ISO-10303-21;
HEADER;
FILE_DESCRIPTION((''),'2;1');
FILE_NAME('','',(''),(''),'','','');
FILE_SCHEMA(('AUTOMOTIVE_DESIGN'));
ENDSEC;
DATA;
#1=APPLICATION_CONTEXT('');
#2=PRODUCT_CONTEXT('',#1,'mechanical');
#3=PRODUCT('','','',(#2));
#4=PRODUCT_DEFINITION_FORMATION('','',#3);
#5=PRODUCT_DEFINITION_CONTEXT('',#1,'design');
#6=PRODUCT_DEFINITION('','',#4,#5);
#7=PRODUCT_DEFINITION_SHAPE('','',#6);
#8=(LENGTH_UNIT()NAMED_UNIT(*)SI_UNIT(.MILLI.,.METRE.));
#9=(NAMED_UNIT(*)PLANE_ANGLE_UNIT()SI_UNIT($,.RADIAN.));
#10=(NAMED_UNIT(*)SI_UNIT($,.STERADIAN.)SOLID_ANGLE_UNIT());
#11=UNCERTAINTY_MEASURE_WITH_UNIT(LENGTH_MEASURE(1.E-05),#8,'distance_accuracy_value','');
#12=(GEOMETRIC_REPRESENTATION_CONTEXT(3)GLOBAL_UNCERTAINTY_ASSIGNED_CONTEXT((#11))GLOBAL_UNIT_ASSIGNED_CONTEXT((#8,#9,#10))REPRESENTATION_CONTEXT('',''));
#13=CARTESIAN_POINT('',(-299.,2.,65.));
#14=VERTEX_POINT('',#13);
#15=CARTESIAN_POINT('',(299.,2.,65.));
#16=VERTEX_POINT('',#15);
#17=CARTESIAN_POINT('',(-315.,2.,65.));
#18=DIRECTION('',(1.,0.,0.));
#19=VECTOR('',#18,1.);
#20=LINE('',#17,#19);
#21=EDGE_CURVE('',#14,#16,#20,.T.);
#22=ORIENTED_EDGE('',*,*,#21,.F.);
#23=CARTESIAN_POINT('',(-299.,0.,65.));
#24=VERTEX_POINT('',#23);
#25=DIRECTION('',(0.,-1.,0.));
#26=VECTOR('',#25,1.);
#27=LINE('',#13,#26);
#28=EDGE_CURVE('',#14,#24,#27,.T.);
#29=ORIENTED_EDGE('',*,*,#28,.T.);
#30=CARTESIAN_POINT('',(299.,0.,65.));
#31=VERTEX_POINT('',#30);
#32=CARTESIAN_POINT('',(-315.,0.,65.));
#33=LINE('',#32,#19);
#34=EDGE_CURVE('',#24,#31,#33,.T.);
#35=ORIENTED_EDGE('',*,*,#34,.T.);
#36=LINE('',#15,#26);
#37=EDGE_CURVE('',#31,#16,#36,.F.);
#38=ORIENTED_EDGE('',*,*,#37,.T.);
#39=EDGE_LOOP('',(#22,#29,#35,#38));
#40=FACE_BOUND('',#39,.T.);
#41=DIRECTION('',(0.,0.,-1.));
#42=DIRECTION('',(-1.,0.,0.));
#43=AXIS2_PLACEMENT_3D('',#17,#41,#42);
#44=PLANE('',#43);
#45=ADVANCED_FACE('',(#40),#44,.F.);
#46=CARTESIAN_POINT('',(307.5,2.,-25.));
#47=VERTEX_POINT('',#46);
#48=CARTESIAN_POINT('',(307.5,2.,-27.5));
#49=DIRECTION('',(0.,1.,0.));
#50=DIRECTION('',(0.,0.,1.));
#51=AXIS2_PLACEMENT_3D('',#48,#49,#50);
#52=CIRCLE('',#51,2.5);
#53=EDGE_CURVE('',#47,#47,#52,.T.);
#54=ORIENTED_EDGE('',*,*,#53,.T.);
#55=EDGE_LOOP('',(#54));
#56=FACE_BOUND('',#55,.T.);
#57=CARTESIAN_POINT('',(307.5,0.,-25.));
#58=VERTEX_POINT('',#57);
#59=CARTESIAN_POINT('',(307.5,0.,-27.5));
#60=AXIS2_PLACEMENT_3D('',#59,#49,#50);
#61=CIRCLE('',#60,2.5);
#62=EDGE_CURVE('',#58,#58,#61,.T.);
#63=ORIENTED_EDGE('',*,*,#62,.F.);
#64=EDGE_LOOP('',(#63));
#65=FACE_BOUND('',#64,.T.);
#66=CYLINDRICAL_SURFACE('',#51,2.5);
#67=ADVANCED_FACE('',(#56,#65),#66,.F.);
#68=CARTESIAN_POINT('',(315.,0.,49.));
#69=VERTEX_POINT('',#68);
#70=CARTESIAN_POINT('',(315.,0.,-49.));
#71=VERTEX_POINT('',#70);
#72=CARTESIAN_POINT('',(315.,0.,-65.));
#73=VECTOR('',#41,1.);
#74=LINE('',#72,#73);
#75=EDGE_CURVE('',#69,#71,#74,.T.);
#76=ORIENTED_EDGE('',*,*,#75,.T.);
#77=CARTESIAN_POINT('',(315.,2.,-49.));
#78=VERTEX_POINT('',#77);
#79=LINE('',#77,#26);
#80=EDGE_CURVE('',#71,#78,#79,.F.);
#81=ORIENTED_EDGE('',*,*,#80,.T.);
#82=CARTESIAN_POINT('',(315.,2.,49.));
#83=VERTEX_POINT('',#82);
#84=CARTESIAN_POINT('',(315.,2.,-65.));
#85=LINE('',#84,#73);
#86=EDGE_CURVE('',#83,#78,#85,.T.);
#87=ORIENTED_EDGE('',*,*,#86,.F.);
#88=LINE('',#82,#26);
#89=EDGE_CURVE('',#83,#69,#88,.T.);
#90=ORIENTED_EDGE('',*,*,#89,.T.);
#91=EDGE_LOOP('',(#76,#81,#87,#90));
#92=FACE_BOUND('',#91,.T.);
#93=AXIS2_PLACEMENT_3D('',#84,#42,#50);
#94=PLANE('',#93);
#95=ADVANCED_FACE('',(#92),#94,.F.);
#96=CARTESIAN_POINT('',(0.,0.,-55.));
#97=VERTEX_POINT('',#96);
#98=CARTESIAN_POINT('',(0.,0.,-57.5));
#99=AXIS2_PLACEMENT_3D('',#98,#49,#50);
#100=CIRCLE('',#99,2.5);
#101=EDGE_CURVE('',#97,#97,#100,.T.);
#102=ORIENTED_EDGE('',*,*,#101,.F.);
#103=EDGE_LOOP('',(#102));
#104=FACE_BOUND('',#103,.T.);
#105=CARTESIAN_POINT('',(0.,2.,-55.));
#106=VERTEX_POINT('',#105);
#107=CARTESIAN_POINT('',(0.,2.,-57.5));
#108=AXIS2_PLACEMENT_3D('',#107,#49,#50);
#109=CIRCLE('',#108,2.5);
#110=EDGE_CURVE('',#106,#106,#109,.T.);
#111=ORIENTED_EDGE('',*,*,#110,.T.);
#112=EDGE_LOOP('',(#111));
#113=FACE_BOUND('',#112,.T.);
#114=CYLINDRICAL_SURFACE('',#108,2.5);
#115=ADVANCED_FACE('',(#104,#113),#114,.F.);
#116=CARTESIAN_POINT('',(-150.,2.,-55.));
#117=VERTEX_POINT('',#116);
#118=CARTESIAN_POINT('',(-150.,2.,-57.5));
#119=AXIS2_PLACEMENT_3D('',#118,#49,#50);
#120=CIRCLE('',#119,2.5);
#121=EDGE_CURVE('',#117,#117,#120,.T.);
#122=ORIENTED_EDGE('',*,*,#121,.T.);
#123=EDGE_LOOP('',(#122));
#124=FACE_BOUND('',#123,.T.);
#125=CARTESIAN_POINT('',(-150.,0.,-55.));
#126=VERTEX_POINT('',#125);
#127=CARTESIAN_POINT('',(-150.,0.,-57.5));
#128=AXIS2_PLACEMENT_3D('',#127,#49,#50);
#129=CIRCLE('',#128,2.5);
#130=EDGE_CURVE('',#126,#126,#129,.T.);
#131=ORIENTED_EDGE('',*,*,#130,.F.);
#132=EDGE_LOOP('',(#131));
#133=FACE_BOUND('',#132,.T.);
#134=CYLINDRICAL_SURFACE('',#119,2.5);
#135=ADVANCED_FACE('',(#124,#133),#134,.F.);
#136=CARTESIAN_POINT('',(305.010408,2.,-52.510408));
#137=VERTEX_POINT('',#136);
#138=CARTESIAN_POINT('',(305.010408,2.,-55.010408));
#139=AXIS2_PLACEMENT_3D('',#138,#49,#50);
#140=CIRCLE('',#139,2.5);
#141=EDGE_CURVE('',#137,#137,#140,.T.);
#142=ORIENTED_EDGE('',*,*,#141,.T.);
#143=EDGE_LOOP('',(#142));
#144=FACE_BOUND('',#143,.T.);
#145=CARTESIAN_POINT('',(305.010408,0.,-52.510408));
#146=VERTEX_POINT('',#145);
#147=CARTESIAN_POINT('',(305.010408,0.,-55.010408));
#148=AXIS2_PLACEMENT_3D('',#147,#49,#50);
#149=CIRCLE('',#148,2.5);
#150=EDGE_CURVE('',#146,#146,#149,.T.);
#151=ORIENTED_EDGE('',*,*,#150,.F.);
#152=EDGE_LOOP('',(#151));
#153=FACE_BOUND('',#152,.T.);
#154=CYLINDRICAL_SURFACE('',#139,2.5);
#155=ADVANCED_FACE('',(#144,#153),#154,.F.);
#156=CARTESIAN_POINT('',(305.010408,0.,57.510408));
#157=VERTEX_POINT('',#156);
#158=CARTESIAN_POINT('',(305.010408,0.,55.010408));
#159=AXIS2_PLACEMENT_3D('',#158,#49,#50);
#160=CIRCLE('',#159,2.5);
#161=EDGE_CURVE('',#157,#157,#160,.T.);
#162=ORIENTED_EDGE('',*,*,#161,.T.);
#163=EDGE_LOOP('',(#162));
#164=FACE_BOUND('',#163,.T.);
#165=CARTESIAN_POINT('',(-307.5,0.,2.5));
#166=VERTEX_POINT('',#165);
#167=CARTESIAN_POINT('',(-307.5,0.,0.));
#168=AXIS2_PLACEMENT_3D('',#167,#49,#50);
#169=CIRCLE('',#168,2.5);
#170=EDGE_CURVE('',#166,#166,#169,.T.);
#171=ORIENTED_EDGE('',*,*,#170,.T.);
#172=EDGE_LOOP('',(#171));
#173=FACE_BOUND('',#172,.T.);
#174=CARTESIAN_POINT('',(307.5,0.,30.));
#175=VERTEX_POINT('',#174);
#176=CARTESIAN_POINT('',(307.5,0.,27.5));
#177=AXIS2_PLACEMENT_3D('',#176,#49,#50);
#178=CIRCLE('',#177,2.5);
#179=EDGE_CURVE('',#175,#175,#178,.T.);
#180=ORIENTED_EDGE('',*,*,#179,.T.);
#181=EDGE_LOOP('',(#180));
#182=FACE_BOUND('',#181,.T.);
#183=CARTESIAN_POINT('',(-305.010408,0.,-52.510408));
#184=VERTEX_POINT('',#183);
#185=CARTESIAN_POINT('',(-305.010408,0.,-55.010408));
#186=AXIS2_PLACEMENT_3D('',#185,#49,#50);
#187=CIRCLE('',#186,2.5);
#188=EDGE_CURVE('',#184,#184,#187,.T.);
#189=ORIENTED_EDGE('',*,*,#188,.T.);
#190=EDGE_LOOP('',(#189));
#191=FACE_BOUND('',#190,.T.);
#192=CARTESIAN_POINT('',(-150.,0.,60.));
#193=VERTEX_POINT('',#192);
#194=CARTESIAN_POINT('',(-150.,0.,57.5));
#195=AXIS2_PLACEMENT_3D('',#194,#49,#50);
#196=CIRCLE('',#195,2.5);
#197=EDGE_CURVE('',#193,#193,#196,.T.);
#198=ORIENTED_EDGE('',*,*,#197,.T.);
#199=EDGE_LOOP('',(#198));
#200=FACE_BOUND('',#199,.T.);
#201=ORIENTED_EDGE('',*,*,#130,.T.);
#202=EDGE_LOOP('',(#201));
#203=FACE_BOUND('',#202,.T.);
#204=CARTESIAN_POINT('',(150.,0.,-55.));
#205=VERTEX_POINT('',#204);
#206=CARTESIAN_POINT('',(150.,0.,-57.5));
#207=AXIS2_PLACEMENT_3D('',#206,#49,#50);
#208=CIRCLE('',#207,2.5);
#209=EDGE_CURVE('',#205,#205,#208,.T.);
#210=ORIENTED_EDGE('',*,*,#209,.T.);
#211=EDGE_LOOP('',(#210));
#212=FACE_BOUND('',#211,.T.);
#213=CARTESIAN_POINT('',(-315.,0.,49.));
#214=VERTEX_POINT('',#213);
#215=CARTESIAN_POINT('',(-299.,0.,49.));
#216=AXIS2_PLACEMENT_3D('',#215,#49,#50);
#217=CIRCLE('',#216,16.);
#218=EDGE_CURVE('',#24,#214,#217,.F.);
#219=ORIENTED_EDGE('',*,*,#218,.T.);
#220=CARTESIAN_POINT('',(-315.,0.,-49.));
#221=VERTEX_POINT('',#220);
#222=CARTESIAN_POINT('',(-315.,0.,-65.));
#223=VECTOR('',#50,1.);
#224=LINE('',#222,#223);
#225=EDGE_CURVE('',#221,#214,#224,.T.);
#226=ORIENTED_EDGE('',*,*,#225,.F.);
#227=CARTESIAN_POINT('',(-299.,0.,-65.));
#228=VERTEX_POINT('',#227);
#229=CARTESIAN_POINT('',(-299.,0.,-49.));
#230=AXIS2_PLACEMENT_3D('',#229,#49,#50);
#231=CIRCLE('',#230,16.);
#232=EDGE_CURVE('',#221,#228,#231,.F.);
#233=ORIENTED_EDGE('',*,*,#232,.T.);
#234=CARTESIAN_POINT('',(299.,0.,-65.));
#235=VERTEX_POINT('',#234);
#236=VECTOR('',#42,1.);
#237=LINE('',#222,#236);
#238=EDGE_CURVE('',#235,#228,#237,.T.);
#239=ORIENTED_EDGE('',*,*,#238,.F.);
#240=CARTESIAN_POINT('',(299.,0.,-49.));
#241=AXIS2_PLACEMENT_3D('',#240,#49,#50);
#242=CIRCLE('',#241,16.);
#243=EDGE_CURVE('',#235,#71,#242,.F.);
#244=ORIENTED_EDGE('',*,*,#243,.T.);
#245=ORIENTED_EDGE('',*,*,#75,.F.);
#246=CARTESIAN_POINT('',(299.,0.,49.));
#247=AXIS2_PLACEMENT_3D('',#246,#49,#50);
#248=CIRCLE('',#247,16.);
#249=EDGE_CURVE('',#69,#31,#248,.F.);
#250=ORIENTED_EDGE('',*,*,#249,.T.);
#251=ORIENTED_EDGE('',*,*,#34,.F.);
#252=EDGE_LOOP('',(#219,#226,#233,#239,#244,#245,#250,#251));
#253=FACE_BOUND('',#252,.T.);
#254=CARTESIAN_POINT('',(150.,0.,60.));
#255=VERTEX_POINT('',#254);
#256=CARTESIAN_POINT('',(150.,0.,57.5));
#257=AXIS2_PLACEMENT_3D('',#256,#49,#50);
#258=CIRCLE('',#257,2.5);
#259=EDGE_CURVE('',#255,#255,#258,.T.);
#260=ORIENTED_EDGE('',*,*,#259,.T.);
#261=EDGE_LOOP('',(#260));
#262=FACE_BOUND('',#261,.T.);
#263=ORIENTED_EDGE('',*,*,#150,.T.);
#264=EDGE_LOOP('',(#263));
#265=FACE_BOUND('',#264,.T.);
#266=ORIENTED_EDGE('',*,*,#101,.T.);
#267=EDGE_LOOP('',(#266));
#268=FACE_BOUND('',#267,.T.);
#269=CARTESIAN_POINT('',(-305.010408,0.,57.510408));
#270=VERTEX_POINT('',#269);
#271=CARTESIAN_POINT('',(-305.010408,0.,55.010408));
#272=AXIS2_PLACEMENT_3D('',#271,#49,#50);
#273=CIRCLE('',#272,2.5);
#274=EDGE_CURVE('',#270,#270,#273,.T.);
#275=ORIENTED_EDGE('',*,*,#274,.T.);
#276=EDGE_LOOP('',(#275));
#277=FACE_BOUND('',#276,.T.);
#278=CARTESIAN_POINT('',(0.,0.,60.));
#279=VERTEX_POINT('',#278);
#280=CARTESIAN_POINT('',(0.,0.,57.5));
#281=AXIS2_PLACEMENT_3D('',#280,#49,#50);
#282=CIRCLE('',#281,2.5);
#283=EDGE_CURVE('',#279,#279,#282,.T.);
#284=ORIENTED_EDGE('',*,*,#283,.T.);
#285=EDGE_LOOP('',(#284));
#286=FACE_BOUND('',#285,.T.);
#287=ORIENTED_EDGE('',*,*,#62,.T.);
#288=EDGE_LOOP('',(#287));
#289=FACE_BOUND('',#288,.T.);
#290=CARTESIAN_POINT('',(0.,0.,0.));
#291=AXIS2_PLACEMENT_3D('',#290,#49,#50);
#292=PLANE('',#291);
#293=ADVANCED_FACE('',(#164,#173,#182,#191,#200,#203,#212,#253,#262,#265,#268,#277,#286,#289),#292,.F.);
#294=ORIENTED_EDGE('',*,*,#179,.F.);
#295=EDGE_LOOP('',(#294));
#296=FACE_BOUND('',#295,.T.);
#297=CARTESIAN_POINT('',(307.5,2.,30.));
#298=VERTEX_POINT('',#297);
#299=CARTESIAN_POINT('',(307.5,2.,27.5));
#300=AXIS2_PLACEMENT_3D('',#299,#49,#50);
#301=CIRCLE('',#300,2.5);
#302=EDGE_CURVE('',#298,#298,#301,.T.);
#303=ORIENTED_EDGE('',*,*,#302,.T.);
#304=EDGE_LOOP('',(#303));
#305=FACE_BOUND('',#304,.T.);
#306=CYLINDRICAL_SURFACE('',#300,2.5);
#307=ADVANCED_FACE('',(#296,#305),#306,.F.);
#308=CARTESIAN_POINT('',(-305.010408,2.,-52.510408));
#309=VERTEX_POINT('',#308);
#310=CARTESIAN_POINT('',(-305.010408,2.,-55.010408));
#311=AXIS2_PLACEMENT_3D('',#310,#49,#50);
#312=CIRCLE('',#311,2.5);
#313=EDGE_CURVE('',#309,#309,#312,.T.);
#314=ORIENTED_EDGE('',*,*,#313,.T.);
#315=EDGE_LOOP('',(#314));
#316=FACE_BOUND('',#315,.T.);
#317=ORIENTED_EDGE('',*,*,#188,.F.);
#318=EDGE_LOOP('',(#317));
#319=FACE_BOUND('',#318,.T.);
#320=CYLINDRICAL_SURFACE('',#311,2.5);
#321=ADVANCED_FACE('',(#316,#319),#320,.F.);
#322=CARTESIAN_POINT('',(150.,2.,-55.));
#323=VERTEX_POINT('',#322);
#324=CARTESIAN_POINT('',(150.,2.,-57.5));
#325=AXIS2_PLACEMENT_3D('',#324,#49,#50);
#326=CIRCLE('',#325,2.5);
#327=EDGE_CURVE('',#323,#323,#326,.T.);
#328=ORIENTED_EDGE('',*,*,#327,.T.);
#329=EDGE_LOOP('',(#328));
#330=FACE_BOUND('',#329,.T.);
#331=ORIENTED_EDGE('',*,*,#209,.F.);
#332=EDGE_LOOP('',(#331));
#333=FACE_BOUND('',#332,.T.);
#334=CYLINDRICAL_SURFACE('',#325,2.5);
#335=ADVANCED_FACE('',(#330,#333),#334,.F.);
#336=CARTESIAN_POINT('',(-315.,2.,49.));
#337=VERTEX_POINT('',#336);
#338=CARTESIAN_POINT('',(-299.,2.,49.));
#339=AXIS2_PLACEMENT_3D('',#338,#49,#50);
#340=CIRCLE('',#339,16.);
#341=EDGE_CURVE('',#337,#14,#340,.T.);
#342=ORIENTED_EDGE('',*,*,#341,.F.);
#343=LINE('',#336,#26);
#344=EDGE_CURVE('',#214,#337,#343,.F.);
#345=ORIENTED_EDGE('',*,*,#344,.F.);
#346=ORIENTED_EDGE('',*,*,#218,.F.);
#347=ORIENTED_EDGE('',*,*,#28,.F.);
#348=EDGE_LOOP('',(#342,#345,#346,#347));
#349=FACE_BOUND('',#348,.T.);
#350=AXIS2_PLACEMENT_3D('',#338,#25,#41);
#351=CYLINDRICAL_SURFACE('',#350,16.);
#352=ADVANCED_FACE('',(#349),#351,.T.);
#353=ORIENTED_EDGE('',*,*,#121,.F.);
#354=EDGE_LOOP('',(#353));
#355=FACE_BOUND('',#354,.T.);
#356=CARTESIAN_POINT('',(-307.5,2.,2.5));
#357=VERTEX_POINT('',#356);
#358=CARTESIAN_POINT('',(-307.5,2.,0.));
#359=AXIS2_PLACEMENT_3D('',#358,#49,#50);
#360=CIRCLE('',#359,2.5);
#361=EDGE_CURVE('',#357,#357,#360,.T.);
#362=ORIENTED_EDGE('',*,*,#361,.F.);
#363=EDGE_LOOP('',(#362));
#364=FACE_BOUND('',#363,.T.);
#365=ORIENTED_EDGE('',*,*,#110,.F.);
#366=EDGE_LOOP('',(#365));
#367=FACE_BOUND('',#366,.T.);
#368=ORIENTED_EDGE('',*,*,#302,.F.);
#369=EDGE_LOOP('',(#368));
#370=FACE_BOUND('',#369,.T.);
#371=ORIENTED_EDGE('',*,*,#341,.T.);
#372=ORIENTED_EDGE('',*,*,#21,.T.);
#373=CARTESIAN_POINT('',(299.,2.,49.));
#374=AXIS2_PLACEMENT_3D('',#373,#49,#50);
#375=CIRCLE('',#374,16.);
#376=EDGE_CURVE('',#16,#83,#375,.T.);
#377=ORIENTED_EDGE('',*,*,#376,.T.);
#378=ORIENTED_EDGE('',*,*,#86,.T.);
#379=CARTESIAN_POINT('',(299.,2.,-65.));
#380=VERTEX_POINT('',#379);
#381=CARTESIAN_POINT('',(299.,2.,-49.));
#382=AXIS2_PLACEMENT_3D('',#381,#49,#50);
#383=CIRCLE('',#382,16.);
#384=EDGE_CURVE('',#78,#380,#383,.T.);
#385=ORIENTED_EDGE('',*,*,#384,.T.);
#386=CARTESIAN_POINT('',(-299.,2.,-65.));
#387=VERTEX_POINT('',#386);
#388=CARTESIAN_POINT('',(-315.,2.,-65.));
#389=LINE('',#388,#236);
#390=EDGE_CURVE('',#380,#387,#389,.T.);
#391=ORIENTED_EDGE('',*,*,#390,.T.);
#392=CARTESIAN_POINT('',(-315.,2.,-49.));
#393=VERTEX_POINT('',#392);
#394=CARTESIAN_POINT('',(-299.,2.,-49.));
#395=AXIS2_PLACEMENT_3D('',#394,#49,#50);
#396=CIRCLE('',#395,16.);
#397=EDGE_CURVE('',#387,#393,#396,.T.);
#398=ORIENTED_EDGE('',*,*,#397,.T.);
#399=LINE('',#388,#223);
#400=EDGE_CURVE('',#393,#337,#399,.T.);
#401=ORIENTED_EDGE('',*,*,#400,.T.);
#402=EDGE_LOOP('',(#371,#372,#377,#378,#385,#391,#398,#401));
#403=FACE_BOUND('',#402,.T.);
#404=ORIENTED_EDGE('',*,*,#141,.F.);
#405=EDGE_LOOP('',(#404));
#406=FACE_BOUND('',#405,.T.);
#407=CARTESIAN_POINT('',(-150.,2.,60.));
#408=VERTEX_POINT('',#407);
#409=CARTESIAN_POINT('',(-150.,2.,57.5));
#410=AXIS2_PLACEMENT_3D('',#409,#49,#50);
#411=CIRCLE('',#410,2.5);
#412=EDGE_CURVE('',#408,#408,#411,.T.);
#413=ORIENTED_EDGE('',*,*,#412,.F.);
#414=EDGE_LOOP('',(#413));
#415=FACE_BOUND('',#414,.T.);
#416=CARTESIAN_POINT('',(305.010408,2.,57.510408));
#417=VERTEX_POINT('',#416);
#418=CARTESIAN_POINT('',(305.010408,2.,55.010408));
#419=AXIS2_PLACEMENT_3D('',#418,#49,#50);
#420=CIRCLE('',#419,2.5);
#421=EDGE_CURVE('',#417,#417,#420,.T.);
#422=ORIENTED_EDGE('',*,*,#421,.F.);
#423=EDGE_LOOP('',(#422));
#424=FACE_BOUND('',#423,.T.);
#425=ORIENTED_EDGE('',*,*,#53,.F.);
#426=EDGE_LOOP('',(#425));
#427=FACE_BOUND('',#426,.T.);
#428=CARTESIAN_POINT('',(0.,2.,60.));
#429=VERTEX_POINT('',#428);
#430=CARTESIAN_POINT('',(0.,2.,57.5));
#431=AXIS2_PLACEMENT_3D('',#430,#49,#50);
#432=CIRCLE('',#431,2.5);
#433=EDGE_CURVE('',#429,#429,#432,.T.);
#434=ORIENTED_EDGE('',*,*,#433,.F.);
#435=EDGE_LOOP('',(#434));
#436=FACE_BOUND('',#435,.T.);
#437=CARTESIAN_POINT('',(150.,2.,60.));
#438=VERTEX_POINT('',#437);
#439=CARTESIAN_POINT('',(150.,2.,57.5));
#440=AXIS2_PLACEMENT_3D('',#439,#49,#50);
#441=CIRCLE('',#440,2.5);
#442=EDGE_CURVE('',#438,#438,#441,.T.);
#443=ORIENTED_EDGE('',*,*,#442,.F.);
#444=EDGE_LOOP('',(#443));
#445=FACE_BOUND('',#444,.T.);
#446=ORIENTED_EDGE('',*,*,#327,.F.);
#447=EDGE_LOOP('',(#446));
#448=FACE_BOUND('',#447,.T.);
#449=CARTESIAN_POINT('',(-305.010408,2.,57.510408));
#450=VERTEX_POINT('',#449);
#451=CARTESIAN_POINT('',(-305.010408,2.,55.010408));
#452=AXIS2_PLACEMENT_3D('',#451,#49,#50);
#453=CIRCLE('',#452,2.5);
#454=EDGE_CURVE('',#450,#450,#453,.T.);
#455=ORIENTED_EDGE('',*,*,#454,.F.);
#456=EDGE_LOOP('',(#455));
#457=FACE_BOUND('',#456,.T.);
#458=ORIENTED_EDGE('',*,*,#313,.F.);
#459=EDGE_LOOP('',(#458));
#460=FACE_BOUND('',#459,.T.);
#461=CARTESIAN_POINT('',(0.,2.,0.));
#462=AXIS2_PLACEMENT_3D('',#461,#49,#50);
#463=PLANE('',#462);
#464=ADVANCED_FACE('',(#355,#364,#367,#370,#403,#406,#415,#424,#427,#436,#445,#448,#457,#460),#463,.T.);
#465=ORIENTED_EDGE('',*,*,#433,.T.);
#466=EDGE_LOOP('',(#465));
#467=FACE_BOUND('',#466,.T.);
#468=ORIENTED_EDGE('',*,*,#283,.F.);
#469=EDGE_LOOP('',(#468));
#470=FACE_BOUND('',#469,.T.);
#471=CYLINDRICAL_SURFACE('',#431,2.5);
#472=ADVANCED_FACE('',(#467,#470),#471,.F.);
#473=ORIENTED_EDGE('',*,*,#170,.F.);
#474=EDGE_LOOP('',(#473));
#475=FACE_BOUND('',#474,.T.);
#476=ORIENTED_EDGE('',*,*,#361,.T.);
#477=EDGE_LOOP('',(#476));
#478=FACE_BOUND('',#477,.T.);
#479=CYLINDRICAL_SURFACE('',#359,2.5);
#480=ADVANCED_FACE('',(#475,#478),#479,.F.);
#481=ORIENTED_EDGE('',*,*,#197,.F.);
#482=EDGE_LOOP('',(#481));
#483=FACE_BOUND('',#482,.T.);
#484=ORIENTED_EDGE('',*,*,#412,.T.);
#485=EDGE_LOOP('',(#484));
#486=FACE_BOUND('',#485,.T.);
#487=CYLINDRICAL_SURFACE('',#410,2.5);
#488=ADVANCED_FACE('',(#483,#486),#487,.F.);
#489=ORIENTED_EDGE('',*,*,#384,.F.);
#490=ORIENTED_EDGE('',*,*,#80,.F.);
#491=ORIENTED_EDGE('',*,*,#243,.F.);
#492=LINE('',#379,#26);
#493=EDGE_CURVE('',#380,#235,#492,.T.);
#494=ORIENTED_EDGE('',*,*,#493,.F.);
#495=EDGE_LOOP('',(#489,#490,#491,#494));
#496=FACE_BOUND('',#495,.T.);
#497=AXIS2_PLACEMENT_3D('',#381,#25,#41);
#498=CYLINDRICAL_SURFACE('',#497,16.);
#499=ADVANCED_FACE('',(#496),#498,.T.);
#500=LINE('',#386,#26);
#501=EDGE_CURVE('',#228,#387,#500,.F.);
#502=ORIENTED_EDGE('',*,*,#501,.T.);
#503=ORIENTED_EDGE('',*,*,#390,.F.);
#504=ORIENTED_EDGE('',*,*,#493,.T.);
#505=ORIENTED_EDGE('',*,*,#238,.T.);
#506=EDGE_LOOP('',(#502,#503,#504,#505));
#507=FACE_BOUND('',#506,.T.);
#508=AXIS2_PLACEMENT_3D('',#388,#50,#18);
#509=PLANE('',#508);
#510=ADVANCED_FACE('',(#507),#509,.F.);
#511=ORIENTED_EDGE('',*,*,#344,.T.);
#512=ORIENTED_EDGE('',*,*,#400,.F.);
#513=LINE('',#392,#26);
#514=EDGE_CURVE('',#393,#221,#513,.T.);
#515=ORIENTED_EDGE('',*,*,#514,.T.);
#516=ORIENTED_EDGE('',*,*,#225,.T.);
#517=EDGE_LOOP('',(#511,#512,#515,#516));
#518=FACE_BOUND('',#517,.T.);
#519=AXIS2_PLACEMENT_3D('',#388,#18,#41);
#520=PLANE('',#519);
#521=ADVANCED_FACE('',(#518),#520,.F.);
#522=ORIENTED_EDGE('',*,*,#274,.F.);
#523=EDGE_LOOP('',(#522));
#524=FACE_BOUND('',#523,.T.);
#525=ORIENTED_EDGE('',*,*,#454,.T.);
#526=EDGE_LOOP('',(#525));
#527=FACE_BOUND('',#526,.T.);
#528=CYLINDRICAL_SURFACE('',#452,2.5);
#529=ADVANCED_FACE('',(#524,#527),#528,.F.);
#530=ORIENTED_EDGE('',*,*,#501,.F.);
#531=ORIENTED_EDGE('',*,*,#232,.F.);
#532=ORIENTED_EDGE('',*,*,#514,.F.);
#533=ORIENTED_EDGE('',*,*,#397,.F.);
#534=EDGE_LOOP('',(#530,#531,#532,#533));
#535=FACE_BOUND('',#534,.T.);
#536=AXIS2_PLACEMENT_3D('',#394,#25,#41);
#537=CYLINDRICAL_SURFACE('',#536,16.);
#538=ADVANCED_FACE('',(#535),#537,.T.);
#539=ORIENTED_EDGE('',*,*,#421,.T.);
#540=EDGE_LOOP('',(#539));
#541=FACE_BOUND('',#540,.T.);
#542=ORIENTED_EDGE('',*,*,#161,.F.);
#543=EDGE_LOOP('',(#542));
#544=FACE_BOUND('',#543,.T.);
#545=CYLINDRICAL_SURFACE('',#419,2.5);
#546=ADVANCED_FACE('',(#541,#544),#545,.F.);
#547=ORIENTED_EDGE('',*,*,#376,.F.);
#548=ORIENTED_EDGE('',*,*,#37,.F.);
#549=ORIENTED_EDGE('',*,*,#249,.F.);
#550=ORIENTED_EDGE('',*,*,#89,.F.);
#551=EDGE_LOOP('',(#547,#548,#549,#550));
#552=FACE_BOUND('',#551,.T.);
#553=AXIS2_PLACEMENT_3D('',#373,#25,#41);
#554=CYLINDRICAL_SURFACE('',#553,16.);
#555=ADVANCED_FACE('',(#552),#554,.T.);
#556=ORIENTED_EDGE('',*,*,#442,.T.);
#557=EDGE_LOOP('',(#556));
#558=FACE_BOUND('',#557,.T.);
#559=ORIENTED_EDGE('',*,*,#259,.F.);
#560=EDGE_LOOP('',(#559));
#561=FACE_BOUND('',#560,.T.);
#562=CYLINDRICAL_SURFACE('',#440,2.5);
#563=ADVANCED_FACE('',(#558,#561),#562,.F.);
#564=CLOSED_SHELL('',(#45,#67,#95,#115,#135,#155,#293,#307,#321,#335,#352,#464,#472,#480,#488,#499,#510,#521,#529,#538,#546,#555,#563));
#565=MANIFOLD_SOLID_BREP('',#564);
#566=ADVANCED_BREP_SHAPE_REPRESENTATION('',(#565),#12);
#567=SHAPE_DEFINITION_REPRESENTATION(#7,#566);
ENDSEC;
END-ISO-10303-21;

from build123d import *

# Parameters (mm, degrees)
SKETCH1_W                = 630
SKETCH1_H                = 130
BOSS_EXTRUDE1_DEPTH      = 2
FILLET1_R                = 16
F_5_0_5_DIAMETER_HOLE1_D = 5


with BuildPart() as part:
    # Sketch1 → Boss-Extrude1 (new body)
    with BuildSketch(Plane(origin=(0, 0, 0), x_dir=(1, 0, 0), z_dir=(0, 1, 0))):
        Rectangle(SKETCH1_W, SKETCH1_H)
    extrude(amount=BOSS_EXTRUDE1_DEPTH)

    # Fillet1
    fillet1_edges = [part.edges().sort_by_distance(p)[0] for p in [
        (315, 1, 65),
        (-315, 1, 65),
        (-315, 1, -65),
        (315, 1, -65),
    ]]
    fillet(fillet1_edges, radius=FILLET1_R)

    # Ø5.0 (5) Diameter Hole1 (through all)
    with Locations(Plane(origin=(-305.01040764, 2, -55.01040764), x_dir=(0, 0, 1), z_dir=(0, 1, 0))):
        with Locations((0, 0), (-2.48959236, 155.01040764), (55.01040764, -2.48959236), (110.02081528, 0), (112.51040764, 155.01040764), (-2.48959236, 305.01040764), (112.51040764, 305.01040764), (112.51040764, 455.01040764), (-2.48959236, 455.01040764), (0, 610.02081528), (110.02081528, 610.02081528), (27.51040764, 612.51040764), (82.51040764, 612.51040764)):
            Hole(F_5_0_5_DIAMETER_HOLE1_D / 2)


solid = part.part
